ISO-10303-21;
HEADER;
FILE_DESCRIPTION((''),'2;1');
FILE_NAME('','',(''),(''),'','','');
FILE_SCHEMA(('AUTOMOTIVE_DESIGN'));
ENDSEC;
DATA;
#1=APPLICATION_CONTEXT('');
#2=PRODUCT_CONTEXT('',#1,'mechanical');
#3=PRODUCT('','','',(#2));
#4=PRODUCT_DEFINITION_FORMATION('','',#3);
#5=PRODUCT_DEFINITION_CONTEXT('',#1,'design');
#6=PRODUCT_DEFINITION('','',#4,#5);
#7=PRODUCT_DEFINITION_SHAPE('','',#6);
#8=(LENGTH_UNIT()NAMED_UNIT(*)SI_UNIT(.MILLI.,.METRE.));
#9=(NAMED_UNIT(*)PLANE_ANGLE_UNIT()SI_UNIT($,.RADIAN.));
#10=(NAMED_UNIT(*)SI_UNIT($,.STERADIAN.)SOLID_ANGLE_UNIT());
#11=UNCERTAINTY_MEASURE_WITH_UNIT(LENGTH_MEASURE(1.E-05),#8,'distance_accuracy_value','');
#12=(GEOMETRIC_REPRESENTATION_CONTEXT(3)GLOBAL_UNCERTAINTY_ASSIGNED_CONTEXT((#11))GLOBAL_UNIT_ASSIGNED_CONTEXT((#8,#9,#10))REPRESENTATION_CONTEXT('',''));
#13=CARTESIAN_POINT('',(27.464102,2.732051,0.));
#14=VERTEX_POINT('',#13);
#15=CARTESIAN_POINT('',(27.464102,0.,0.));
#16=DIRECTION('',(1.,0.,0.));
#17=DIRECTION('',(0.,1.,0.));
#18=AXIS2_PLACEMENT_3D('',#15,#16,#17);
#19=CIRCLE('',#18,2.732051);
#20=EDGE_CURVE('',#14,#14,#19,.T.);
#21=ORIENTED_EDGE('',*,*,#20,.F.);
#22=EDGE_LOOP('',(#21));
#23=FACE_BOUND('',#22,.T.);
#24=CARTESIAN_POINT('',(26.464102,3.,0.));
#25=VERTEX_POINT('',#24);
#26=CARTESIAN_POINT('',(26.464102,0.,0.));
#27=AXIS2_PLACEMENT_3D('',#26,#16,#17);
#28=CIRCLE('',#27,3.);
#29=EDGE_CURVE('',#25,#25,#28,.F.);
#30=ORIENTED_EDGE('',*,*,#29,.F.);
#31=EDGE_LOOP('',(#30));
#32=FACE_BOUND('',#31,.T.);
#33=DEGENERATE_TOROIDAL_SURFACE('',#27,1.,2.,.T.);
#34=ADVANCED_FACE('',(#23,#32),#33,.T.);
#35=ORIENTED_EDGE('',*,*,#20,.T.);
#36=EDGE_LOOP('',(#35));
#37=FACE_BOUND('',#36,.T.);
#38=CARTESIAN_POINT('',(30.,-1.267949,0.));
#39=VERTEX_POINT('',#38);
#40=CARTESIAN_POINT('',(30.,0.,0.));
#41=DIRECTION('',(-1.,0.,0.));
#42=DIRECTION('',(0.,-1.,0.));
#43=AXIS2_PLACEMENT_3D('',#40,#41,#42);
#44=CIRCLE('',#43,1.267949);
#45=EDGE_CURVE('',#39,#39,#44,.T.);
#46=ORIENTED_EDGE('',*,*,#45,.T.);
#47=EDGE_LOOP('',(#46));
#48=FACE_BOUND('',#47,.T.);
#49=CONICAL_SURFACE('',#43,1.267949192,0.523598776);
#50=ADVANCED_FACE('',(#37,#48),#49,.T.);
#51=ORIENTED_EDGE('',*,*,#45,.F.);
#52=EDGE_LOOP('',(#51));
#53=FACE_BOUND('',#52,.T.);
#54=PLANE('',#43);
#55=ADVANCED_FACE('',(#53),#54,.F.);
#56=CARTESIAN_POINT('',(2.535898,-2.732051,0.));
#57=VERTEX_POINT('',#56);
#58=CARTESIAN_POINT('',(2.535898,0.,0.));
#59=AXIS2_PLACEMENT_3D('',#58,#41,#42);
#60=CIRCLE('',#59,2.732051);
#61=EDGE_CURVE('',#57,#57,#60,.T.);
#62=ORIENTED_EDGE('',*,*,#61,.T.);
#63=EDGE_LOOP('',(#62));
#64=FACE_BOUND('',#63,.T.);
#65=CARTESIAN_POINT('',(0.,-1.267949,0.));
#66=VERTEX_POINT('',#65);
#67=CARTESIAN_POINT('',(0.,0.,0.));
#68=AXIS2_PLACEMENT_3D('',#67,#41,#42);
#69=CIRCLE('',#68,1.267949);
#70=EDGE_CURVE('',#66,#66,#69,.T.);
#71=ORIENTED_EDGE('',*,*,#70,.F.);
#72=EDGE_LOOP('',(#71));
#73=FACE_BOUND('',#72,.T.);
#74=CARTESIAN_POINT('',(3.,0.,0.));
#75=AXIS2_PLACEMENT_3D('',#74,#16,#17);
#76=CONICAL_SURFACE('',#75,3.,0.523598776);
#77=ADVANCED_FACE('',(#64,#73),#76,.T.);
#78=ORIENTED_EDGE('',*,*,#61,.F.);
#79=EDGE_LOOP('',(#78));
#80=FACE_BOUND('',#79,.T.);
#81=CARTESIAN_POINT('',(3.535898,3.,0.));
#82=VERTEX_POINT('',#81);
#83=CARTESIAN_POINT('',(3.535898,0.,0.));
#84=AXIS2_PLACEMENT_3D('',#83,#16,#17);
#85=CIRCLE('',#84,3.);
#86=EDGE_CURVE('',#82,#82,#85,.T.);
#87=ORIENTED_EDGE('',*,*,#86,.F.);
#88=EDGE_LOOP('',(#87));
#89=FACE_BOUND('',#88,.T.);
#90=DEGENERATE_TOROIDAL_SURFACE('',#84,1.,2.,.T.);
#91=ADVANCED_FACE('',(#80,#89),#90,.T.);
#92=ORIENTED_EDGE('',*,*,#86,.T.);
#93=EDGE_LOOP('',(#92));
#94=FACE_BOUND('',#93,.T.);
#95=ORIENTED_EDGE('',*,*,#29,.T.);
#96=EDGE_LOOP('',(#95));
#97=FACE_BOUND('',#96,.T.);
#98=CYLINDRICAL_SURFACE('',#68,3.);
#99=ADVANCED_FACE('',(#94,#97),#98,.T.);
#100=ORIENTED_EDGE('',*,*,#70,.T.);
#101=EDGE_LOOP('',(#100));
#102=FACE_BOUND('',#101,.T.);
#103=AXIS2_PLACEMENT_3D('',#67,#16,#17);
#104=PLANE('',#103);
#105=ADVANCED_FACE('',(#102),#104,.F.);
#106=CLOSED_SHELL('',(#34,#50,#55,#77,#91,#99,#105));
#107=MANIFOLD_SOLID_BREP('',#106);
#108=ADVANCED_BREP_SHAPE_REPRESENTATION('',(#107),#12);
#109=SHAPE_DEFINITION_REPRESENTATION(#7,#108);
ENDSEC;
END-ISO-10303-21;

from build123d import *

# Parameters (mm, degrees)
VERRUNDUNG1_R = 2


with BuildPart() as part:
    # Skizze1 → Rotation1 (revolve)
    with BuildSketch(Plane.XY, mode=Mode.PRIVATE) as rotation1_sk:
        Polygon((0, 0), (0, 1.267949192), (3, 3), (27, 3), (30, 1.267949192), (30, 0), align=None)
    revolve(rotation1_sk.sketch.rotate(Axis((0, 0, 0), (1, 0, 0)), 180), axis=Axis((0, 0, 0), (1, 0, 0)))

    # Verrundung1
    verrundung1_edges = [part.edges().sort_by_distance(p)[0] for p in [
        (3, 3, 0),
        (27, 3, 0),
    ]]
    fillet(verrundung1_edges, radius=VERRUNDUNG1_R)


solid = part.part
